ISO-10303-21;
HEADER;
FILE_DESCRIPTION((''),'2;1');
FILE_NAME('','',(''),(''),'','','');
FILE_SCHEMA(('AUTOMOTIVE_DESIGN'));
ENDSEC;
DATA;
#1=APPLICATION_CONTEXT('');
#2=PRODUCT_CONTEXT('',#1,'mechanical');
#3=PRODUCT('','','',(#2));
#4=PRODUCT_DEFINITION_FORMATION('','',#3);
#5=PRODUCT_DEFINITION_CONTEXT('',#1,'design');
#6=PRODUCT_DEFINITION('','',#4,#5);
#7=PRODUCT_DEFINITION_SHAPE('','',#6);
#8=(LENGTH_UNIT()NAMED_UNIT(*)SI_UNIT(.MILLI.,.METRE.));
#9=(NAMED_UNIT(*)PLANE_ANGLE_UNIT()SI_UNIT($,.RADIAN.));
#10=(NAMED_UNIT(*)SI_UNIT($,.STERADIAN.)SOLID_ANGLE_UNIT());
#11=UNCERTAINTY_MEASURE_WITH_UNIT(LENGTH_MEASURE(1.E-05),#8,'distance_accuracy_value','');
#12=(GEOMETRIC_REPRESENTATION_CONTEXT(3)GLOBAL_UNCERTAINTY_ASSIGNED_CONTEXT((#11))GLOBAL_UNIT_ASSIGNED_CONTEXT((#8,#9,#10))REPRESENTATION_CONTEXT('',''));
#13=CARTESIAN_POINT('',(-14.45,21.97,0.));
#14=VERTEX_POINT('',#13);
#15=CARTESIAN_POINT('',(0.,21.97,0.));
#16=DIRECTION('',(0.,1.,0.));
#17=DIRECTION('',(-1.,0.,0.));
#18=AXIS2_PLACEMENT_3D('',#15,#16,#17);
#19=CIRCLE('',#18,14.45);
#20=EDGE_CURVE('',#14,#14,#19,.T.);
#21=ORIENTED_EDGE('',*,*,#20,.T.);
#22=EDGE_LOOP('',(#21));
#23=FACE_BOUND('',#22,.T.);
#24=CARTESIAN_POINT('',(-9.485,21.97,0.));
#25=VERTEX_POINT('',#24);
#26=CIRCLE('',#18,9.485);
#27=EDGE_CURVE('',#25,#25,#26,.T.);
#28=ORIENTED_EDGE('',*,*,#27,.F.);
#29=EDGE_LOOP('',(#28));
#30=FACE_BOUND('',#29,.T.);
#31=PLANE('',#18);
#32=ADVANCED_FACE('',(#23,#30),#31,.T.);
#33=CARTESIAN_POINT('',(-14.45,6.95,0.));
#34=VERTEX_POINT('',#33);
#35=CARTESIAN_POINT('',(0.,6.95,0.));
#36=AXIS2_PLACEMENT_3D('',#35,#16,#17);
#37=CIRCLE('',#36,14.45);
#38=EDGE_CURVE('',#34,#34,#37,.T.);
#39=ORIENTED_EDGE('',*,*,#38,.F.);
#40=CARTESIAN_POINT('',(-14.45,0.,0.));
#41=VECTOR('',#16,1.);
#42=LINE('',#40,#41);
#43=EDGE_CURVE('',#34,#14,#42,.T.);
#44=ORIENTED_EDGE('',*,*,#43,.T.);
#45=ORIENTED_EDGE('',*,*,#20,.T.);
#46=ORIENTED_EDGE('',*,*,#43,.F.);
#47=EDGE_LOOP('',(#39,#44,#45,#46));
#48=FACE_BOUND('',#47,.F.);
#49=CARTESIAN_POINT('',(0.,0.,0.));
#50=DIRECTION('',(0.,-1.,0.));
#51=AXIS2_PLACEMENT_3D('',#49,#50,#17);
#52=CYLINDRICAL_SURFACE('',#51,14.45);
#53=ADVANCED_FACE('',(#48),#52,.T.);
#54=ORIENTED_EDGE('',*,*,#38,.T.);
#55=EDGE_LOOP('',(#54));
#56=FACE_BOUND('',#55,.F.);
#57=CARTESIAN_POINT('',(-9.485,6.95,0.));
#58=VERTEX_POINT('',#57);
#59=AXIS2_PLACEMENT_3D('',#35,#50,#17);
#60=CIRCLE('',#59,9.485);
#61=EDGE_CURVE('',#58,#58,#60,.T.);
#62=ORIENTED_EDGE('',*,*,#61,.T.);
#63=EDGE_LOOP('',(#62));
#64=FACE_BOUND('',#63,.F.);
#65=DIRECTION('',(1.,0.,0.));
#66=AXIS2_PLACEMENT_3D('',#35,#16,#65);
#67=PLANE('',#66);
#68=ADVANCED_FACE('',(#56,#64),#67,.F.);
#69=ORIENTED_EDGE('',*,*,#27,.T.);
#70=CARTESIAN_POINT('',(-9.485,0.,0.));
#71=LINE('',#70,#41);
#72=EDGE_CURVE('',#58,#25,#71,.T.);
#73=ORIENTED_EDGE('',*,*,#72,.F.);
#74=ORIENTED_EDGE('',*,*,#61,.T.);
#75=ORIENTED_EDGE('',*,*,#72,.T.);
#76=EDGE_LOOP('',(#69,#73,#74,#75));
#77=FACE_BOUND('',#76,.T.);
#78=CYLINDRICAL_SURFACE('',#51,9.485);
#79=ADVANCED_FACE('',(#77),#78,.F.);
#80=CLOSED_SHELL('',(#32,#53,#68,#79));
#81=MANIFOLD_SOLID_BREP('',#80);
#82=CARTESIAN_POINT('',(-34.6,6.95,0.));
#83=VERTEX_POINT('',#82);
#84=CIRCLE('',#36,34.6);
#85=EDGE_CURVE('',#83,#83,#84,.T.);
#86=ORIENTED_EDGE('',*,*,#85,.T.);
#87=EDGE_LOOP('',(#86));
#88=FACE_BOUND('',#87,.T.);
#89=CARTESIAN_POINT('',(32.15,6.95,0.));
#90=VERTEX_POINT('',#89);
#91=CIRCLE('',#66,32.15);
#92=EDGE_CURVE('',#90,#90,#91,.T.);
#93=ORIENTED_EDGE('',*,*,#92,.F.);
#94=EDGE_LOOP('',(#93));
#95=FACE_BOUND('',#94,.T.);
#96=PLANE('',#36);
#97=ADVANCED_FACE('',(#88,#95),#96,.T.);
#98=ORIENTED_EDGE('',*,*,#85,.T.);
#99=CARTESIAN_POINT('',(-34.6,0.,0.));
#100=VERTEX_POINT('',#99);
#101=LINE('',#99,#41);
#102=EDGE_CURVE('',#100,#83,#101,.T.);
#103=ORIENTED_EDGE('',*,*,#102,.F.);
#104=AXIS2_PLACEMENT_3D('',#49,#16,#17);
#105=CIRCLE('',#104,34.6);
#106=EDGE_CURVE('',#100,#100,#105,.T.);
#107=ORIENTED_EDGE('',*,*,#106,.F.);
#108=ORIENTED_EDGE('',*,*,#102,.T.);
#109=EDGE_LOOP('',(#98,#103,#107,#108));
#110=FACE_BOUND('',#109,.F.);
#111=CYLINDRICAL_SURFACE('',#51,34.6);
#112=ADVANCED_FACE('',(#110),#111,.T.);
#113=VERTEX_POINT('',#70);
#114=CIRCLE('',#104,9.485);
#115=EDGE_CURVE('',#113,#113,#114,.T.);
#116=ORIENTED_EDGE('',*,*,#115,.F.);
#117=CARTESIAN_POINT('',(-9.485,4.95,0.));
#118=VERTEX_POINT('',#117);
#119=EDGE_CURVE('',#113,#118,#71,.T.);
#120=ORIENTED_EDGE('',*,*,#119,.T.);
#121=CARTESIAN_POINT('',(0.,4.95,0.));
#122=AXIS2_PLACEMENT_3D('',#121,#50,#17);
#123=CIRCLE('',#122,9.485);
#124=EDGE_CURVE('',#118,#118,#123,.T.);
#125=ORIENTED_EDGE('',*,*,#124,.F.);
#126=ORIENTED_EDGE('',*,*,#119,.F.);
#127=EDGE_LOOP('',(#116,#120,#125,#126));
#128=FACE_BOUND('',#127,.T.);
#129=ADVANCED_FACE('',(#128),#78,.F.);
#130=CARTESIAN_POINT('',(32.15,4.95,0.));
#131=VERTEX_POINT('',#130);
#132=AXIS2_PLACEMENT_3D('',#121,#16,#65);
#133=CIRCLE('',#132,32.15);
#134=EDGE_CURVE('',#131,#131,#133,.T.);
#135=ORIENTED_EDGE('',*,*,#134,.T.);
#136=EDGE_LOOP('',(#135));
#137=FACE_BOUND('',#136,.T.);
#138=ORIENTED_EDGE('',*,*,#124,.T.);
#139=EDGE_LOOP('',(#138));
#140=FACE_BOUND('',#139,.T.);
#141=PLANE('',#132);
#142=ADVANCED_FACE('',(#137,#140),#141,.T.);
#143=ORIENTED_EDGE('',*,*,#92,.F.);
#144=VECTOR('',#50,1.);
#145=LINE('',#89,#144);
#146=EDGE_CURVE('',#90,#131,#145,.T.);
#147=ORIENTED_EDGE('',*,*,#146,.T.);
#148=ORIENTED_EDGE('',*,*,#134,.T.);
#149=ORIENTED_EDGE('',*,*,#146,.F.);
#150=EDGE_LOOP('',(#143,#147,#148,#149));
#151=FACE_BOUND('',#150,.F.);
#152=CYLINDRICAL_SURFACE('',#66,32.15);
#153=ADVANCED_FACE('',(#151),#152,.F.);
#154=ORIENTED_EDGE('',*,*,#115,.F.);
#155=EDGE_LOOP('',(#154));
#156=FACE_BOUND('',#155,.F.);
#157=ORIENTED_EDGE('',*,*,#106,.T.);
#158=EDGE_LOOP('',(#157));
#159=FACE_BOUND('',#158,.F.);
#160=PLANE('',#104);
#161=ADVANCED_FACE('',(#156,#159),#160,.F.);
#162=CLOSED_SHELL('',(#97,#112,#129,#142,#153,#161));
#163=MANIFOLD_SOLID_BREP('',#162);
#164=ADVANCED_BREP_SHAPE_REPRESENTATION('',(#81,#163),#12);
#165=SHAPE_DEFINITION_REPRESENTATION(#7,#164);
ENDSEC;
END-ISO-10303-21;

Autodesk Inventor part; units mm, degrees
ref_plane "YZ Plane" through (0, 0, 0) normal (1, 0, 0) x (0, 1, 0)
ref_plane "XZ Plane" through (0, 0, 0) normal (0, 1, 0) x (-1, 0, 0)
ref_plane "XY Plane" through (0, 0, 0) normal (0, 0, 1) x (1, 0, 0)
sketch "Boceto1" plane through (0, 0, 0) normal (0, 1, 0) x (-1, 0, 0)
  circle A0 centre (0, 0) radius 34.6
  circle A1 centre (0, 0) radius 9.485
  circle A2 centre (0, 0) radius 14.45
  dimension "d0" = 69.2
  dimension "d1" = 18.97
  dimension "d2" = 28.9
extrude "Extrusión1" add sketch "Boceto1" along normal blind 21.97 contours A2
extrude "Extrusión2" add sketch "Boceto1" along normal blind 6.95 contours A0
thread "Rosca1" size "M20x2.5" class "6H" standard "ANSI Metric M Profile" full length
sketch "Boceto2" plane through (0, 6.95, 0) normal (0, 1, 0) x (1, 0, 0)
  circle A0 centre (0, 0) radius 32.15
  dimension "d9" = 64.3
extrude "Extrusión3" cut sketch "Boceto2" against normal blind 2
properties part number "FLANCHE"
